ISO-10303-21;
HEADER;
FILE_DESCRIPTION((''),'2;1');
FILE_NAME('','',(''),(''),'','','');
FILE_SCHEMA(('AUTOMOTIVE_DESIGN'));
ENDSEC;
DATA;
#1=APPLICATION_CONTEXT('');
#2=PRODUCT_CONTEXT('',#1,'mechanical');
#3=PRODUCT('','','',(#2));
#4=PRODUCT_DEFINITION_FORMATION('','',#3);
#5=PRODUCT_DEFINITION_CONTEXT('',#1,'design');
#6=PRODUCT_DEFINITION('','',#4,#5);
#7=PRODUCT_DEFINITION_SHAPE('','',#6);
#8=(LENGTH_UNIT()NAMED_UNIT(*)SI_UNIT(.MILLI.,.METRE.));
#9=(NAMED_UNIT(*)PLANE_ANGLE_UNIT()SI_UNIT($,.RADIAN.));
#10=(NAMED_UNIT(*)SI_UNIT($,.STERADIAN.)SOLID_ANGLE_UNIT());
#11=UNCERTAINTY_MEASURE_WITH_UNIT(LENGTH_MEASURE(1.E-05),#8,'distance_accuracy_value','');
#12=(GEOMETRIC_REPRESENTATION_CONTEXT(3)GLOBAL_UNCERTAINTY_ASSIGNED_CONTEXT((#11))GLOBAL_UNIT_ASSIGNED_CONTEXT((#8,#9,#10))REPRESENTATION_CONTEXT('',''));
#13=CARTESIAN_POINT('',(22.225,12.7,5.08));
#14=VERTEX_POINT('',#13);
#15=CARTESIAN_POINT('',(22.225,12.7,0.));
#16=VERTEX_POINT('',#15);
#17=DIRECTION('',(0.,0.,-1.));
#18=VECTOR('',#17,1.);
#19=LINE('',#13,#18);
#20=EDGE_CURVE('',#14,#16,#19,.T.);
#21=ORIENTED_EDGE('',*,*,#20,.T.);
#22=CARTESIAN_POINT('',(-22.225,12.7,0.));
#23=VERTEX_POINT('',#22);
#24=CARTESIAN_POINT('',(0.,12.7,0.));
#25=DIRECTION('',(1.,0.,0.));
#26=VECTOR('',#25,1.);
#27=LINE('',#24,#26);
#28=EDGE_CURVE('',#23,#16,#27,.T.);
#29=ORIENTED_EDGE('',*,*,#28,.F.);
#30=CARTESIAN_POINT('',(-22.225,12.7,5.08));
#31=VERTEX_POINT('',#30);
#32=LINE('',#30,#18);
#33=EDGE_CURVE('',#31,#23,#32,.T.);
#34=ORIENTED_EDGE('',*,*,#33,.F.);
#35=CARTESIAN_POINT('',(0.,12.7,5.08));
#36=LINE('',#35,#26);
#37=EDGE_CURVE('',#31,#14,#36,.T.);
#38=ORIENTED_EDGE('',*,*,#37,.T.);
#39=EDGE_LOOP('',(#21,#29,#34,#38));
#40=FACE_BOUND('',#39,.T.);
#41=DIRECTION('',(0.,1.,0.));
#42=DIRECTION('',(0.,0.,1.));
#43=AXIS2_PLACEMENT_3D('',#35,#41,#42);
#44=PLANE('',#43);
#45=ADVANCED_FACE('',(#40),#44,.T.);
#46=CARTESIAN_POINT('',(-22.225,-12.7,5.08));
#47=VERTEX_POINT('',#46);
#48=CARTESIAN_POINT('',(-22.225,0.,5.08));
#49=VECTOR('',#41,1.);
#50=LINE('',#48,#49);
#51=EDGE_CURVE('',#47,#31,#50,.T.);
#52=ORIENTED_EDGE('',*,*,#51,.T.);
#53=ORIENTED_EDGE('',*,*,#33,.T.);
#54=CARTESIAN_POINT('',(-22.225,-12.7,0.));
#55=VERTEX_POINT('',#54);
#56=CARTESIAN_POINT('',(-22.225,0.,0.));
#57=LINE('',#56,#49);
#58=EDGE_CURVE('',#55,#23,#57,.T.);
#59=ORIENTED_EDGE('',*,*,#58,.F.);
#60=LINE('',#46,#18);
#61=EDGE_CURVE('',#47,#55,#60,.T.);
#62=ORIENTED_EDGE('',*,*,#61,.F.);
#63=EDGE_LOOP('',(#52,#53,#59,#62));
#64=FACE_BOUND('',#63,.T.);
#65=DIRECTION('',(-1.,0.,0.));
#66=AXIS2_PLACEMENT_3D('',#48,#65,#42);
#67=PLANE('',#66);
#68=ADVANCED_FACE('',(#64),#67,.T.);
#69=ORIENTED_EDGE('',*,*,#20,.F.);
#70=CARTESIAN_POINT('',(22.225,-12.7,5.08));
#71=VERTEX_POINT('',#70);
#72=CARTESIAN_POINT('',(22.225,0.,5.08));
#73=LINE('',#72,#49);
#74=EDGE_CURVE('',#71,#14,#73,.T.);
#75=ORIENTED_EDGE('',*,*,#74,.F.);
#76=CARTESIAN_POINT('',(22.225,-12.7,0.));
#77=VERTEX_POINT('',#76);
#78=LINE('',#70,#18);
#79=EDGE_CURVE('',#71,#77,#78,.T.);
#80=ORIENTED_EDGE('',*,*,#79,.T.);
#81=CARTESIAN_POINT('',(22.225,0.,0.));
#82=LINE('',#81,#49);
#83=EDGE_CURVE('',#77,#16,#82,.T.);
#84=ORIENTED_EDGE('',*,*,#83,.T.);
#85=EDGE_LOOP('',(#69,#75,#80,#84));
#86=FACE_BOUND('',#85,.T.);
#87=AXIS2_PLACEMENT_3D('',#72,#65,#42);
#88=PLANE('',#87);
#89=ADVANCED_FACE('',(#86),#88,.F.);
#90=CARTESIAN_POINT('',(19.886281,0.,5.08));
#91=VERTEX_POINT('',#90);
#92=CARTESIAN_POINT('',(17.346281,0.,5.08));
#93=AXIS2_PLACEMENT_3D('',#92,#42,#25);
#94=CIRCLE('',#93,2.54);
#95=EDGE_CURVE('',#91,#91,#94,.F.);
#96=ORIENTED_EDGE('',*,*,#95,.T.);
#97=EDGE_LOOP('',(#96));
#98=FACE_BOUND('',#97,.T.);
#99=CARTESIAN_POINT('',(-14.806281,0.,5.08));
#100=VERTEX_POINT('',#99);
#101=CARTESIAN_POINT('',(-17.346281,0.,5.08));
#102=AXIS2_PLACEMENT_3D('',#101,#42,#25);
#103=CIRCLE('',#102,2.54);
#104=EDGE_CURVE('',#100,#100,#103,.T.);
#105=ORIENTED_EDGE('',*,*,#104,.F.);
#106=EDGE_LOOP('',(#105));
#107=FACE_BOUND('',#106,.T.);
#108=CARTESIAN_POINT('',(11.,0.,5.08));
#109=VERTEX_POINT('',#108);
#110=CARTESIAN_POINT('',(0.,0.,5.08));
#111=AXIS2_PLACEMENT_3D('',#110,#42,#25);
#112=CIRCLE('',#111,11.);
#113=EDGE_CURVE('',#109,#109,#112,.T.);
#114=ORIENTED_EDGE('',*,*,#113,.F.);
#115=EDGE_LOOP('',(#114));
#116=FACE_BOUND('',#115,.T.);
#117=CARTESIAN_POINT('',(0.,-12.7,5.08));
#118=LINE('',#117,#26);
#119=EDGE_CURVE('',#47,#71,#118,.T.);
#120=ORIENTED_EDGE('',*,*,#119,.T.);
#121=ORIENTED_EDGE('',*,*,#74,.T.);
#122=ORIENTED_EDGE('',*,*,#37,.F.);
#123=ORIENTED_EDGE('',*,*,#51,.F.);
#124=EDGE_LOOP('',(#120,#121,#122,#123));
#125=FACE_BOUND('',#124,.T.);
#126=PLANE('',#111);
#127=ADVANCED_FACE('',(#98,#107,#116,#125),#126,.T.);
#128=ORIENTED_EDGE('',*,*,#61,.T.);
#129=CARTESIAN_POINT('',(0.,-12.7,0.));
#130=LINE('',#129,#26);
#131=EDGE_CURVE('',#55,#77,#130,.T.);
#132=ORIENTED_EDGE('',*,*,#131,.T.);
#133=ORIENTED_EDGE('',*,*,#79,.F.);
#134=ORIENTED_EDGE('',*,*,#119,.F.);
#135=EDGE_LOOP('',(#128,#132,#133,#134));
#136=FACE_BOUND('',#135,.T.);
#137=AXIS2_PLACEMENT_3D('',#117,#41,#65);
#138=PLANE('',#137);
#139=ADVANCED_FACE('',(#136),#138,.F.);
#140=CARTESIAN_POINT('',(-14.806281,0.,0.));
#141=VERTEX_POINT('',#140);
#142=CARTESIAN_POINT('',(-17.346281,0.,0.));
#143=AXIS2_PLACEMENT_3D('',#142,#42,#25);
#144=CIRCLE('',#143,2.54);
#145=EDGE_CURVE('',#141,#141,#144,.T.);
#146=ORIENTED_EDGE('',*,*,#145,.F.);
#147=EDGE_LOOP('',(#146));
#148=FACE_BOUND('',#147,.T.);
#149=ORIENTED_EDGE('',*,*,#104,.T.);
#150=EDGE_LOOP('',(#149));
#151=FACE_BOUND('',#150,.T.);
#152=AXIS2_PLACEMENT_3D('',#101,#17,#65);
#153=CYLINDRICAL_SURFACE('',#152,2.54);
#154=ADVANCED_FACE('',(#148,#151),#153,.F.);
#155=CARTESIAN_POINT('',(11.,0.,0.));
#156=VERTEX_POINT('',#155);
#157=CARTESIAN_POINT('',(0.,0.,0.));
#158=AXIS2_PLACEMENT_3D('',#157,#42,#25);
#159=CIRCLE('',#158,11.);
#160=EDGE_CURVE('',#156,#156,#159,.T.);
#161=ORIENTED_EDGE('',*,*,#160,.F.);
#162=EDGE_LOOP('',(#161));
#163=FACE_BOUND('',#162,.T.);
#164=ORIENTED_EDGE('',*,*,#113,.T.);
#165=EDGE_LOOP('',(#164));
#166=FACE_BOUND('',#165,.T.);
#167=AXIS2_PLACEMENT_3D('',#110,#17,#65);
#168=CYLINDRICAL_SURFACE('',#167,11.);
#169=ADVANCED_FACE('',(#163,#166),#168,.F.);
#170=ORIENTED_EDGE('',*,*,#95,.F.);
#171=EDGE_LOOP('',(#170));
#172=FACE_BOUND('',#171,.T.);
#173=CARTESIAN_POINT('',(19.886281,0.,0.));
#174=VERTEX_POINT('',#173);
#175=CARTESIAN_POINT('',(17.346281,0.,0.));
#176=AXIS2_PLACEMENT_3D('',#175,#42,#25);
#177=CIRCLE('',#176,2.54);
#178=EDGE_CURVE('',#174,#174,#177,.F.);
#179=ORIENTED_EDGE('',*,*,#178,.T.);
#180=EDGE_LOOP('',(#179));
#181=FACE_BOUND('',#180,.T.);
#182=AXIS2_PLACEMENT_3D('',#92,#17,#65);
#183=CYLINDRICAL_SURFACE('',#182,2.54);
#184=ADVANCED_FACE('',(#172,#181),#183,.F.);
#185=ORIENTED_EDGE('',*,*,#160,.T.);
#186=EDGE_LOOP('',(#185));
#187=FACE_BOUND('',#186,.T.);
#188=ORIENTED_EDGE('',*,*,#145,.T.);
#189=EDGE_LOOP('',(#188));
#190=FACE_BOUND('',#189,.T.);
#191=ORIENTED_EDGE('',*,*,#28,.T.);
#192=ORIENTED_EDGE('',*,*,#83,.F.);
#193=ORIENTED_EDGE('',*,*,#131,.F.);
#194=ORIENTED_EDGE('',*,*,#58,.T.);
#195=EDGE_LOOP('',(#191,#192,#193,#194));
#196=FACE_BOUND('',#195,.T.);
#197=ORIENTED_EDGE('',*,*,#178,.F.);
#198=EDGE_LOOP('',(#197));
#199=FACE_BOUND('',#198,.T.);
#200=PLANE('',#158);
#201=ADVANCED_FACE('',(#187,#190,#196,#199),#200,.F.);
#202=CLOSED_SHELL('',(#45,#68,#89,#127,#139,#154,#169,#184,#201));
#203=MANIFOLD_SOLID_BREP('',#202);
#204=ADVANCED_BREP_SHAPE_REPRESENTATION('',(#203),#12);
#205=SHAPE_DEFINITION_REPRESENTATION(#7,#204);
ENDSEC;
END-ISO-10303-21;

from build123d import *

# Parameters (mm, degrees)
SKETCH1_R           = 11
SKETCH1_R_2         = 2.54
BOSS_EXTRUDE1_DEPTH = 5.08


with BuildPart() as part:
    # Sketch1 → Boss-Extrude1 (new body)
    with BuildSketch(Plane.XY):
        Polygon((-15.875, 12.7), (-22.225, 12.7), (-22.225, -12.7), (-15.875, -12.7), (15.875, -12.7), (22.225, -12.7), (22.225, 12.7), (15.875, 12.7), align=None)
        Circle(SKETCH1_R, mode=Mode.SUBTRACT)
        with Locations((17.346281091, 0)):
            Circle(SKETCH1_R_2, mode=Mode.SUBTRACT)
        with Locations((-17.346281091, 0)):
            Circle(SKETCH1_R_2, mode=Mode.SUBTRACT)
    extrude(amount=BOSS_EXTRUDE1_DEPTH)


solid = part.part
